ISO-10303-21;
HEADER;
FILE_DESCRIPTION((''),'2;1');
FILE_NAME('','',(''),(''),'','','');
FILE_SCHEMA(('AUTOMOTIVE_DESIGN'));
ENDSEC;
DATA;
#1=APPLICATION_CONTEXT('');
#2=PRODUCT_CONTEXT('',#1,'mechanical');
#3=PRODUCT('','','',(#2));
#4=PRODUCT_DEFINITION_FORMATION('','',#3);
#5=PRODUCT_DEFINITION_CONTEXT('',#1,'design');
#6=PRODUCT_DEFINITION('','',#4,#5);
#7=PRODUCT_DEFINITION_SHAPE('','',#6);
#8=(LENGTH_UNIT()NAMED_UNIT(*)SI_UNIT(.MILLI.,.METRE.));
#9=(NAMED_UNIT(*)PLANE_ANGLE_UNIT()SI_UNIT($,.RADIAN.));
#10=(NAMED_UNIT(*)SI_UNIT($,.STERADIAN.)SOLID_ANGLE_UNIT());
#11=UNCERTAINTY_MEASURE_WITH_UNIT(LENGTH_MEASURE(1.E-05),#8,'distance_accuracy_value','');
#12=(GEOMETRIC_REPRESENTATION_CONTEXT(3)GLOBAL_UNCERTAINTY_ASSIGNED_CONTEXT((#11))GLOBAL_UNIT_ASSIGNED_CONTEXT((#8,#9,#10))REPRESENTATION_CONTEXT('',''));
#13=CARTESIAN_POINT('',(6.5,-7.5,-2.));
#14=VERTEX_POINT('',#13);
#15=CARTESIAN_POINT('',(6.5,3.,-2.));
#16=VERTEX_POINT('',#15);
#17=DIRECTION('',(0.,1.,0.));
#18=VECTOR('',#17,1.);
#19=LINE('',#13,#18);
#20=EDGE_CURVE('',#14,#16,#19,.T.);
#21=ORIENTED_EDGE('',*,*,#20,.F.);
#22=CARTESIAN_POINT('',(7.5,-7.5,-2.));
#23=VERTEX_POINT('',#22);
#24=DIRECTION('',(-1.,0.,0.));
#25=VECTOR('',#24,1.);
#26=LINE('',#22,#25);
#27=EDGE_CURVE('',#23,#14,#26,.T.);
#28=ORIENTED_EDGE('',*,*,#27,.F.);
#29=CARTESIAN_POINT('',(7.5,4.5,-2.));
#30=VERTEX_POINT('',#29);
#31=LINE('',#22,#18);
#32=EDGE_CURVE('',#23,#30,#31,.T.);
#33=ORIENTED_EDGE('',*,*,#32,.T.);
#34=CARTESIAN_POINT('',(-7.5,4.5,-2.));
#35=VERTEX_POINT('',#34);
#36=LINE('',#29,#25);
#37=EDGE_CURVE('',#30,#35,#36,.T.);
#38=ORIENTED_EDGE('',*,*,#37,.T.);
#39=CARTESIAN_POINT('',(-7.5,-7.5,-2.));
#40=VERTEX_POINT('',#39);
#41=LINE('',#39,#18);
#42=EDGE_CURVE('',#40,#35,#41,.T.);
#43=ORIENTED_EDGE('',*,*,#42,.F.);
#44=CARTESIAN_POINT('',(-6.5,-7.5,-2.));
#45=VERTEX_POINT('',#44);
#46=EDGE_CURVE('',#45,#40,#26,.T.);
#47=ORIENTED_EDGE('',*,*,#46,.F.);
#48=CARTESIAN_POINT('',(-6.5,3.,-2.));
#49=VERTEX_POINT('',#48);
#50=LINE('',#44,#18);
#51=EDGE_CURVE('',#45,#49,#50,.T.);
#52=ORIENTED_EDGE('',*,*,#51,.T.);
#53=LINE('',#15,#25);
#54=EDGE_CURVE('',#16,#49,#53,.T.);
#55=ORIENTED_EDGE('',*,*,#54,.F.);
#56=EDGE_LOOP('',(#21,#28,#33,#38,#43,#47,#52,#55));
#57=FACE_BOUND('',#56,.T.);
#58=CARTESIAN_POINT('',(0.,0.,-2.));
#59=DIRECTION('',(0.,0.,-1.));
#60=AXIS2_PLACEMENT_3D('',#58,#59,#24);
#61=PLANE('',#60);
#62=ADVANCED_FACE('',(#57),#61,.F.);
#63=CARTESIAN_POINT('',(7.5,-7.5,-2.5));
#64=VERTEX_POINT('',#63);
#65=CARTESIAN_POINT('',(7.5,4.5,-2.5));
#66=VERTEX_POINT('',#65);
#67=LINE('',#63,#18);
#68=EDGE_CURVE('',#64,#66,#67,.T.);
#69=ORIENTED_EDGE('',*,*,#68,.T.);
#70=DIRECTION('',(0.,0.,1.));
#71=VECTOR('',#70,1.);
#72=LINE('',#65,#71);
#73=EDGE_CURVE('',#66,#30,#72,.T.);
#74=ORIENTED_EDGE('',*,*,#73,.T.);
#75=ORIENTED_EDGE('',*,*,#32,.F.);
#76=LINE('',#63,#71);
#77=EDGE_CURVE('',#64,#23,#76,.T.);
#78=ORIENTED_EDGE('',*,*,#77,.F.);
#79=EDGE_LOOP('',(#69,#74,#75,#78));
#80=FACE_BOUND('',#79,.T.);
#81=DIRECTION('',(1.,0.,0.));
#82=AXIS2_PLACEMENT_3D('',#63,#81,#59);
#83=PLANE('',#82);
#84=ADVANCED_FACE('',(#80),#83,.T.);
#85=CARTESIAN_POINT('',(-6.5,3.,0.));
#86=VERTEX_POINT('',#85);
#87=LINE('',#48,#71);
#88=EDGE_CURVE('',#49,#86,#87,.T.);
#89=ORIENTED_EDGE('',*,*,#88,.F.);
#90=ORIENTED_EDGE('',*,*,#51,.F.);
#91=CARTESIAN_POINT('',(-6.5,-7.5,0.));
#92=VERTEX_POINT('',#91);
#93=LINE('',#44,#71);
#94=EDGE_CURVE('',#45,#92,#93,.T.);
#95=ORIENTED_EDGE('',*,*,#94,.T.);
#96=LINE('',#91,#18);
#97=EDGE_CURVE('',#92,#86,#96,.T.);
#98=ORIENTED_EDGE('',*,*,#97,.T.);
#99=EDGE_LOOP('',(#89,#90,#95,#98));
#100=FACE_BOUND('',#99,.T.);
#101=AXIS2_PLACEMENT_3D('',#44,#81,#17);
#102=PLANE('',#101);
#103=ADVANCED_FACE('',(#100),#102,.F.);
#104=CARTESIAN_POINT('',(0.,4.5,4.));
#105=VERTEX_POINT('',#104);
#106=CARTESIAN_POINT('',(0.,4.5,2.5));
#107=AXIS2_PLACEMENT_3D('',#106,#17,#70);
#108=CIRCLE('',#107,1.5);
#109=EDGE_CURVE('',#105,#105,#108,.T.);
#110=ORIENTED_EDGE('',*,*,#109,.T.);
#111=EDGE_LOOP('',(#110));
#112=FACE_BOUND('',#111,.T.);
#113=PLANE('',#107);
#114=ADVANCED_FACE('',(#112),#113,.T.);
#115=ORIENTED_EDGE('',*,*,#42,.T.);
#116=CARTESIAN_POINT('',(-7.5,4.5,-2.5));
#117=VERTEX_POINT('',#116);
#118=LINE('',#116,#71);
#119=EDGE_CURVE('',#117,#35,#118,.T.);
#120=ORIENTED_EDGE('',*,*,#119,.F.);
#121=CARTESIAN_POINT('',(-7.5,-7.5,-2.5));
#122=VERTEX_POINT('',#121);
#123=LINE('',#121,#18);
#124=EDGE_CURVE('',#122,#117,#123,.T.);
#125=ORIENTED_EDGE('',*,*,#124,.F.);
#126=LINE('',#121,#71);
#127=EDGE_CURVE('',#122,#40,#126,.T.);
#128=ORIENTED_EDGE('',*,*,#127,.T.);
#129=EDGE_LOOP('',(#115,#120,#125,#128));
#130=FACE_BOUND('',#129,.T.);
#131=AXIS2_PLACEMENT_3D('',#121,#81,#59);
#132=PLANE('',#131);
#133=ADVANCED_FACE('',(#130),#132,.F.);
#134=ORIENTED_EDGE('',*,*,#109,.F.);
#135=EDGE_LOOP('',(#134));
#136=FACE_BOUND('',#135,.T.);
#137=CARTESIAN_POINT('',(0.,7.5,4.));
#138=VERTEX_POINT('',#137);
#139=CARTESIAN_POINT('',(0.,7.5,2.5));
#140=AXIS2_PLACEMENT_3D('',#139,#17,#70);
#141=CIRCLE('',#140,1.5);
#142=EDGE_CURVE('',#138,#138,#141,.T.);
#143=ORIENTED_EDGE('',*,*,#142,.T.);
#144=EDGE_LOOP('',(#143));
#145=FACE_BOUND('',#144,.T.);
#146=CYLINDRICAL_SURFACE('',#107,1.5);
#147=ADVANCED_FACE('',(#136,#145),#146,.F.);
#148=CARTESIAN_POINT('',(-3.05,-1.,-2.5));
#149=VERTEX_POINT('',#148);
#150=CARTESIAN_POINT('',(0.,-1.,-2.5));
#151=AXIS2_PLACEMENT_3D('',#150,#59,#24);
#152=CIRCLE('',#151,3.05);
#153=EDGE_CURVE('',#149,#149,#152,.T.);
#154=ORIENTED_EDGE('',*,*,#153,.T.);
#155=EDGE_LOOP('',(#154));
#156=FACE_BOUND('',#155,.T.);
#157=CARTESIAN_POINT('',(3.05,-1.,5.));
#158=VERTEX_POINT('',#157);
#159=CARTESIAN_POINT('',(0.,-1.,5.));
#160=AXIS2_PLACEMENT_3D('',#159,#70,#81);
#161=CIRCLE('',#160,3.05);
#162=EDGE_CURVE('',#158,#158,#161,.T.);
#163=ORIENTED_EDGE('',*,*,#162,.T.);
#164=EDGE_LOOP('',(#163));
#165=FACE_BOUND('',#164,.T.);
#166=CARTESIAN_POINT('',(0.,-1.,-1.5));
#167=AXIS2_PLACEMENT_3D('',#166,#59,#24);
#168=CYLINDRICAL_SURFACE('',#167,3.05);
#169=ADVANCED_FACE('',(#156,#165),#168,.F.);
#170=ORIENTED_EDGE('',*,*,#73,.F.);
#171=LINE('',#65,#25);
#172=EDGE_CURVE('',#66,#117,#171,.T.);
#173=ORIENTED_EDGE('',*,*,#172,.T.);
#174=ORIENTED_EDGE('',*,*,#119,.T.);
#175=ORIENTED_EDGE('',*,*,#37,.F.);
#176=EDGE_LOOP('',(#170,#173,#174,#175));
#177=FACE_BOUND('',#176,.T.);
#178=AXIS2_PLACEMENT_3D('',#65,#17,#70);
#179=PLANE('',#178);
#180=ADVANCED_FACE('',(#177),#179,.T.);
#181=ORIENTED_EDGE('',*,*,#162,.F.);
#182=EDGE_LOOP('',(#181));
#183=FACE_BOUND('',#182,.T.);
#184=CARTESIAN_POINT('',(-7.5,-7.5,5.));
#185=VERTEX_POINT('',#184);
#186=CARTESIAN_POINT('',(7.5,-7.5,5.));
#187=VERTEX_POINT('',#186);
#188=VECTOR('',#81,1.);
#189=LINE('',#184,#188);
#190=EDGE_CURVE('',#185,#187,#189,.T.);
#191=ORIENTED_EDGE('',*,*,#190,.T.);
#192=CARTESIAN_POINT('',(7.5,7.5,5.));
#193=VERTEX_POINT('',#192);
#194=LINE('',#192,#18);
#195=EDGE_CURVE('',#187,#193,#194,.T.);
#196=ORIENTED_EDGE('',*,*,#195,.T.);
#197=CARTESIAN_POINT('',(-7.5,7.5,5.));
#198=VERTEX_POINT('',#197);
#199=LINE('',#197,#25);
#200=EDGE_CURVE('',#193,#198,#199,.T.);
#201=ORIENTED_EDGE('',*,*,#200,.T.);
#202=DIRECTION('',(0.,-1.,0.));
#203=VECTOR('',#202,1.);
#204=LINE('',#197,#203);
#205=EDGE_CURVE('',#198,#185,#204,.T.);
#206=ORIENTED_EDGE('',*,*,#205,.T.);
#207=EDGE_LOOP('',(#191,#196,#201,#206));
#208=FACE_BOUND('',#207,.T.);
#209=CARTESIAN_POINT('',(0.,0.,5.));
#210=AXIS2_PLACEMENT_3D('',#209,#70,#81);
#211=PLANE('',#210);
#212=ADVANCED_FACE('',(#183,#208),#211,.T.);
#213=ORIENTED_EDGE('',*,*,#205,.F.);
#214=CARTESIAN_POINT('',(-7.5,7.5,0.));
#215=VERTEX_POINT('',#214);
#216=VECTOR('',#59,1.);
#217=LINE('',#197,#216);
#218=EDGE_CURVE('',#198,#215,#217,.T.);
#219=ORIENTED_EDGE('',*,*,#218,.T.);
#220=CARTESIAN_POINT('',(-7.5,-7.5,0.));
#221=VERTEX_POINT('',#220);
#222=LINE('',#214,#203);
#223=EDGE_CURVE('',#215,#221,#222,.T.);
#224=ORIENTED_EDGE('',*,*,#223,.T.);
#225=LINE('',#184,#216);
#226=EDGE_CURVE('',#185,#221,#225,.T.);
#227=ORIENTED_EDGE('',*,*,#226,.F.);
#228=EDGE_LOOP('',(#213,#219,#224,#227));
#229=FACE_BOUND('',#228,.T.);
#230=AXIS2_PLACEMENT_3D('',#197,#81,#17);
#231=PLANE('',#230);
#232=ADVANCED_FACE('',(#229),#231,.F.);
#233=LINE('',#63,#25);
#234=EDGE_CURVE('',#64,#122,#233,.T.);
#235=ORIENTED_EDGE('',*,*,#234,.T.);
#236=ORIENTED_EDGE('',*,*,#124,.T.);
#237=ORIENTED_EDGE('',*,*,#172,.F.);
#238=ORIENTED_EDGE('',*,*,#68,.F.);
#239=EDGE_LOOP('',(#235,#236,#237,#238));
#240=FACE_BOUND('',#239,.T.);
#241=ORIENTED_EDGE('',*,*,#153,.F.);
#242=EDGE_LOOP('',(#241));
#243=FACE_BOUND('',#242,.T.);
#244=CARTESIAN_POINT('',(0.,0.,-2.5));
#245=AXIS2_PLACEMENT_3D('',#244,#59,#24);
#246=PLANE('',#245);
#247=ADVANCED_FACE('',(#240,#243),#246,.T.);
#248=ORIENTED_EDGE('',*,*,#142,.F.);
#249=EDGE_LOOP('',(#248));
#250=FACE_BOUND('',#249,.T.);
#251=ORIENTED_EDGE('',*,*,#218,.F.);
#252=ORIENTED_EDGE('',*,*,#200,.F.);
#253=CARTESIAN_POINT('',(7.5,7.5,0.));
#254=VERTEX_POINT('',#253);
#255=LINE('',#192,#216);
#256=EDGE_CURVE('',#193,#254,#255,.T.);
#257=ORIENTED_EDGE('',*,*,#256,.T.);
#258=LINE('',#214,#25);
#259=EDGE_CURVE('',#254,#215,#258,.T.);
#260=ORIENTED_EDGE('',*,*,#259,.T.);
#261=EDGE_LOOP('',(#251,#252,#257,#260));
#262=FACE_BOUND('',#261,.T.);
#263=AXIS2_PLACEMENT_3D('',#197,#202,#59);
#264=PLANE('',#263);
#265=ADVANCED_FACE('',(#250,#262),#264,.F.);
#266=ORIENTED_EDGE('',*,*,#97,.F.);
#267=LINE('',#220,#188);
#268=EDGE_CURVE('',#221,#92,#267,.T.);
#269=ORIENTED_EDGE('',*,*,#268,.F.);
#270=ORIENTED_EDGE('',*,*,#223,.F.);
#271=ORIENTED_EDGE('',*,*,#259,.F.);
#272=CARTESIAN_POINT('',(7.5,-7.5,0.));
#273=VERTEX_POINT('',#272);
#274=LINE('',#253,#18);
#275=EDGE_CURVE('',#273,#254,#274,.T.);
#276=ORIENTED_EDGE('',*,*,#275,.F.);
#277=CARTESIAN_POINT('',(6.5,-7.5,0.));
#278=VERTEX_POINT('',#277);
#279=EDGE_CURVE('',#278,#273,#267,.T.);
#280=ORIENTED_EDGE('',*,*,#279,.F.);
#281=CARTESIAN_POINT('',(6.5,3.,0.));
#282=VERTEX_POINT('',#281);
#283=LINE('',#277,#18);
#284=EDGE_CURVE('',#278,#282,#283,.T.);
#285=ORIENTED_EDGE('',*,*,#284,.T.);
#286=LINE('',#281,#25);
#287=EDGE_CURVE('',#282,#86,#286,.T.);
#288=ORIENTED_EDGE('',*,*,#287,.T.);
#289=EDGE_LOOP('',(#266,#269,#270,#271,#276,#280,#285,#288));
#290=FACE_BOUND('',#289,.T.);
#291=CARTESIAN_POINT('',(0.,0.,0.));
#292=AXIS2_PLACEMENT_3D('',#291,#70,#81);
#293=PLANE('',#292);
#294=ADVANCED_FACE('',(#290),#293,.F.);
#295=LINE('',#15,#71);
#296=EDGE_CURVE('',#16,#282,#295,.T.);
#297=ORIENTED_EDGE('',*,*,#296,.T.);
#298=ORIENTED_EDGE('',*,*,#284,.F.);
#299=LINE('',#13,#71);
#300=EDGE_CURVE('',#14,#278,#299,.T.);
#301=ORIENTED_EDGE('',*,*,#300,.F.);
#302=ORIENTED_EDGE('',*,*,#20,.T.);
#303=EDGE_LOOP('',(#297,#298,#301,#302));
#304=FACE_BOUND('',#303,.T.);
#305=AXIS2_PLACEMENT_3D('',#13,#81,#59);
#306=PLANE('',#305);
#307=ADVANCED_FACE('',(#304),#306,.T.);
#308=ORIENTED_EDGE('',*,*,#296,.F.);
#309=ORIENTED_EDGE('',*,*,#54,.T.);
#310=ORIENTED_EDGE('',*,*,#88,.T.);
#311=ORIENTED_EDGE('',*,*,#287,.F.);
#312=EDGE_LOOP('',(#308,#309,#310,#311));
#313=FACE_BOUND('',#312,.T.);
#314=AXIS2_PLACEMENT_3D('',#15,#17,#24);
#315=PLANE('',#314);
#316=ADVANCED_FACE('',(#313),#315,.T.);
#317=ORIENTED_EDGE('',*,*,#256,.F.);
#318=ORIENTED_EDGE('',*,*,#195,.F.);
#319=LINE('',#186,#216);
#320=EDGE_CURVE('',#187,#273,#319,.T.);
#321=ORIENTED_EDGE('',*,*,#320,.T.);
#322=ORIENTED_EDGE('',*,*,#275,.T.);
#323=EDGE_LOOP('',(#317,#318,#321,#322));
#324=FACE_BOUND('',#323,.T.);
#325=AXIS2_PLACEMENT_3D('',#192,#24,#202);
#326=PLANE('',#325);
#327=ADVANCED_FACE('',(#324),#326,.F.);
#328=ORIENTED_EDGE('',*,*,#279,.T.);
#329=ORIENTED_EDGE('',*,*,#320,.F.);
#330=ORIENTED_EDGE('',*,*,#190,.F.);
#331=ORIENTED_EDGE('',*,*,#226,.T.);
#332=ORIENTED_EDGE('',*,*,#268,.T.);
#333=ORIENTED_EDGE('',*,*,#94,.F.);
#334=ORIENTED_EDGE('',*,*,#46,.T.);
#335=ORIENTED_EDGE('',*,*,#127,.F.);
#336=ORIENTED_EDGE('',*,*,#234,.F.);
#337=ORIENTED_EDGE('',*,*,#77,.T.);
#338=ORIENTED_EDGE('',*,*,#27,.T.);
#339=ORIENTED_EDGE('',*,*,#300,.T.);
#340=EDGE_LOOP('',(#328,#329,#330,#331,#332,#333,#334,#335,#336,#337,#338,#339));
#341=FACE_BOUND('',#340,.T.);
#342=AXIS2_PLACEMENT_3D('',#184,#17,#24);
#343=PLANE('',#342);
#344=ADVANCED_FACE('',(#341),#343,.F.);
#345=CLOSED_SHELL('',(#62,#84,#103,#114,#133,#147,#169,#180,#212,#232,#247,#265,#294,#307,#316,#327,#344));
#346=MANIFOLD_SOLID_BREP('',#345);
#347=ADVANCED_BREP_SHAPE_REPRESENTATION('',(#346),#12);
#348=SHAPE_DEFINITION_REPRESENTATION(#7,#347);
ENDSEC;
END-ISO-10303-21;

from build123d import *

# Parameters (mm, degrees)
ESQUISSE1_W             = 15
ESQUISSE1_H             = 15
BOSS_EXTRU_1_DEPTH      = 5
ESQUISSE2_R             = 1.5
ENL_V_MAT_EXTRU_1_DEPTH = 3
ESQUISSE3_W             = 13
ESQUISSE3_H             = 10.5
BOSS_EXTRU_2_DEPTH      = 2
ESQUISSE4_W             = 15
ESQUISSE4_H             = 12
BOSS_EXTRU_3_DEPTH      = 0.5
ESQUISSE5_R             = 3.05
ENL_V_MAT_EXTRU_2_DEPTH = 1
ESQUISSE5_3_R           = 3.05
ENL_V_MAT_EXTRU_3_DEPTH = 15


with BuildPart() as part:
    # Esquisse1 → Boss.-Extru.1 (new body)
    with BuildSketch(Plane.XY):
        Rectangle(ESQUISSE1_W, ESQUISSE1_H)
    extrude(amount=BOSS_EXTRU_1_DEPTH)

    # Esquisse2 → Enlèv. mat.-Extru.1 (cut)
    with BuildSketch(Plane(origin=(0, 7.5, 0), x_dir=(1, 0, 0), z_dir=(0, 1, 0))):
        with Locations((0, -2.5)):
            Circle(ESQUISSE2_R)
    extrude(amount=-ENL_V_MAT_EXTRU_1_DEPTH, mode=Mode.SUBTRACT)

    # Esquisse3 → Boss.-Extru.2 (add)
    with BuildSketch(Plane(origin=(0, 0, 0), x_dir=(-1, 0, 0), z_dir=(0, 0, -1))):
        with Locations((0, -2.25)):
            Rectangle(ESQUISSE3_W, ESQUISSE3_H)
    extrude(amount=BOSS_EXTRU_2_DEPTH)

    # Esquisse4 → Boss.-Extru.3 (add)
    with BuildSketch(Plane(origin=(0, 0, -2), x_dir=(-1, 0, 0), z_dir=(0, 0, -1))):
        with Locations((0, -1.5)):
            Rectangle(ESQUISSE4_W, ESQUISSE4_H)
    extrude(amount=BOSS_EXTRU_3_DEPTH)

    # Esquisse5 → Enlèv. mat.-Extru.2 (cut)
    with BuildSketch(Plane(origin=(0, 0, -2.5), x_dir=(-1, 0, 0), z_dir=(0, 0, -1))):
        with Locations((0, -1)):
            Circle(ESQUISSE5_R)
    extrude(amount=-ENL_V_MAT_EXTRU_2_DEPTH, mode=Mode.SUBTRACT)

    # Esquisse5<3> → Enlèv. mat.-Extru.3 (cut)
    with BuildSketch(Plane(origin=(0, 0, -2.5), x_dir=(-1, 0, 0), z_dir=(0, 0, -1))):
        with Locations((0, -1)):
            Circle(ESQUISSE5_3_R)
    extrude(amount=-ENL_V_MAT_EXTRU_3_DEPTH, mode=Mode.SUBTRACT)


solid = part.part
